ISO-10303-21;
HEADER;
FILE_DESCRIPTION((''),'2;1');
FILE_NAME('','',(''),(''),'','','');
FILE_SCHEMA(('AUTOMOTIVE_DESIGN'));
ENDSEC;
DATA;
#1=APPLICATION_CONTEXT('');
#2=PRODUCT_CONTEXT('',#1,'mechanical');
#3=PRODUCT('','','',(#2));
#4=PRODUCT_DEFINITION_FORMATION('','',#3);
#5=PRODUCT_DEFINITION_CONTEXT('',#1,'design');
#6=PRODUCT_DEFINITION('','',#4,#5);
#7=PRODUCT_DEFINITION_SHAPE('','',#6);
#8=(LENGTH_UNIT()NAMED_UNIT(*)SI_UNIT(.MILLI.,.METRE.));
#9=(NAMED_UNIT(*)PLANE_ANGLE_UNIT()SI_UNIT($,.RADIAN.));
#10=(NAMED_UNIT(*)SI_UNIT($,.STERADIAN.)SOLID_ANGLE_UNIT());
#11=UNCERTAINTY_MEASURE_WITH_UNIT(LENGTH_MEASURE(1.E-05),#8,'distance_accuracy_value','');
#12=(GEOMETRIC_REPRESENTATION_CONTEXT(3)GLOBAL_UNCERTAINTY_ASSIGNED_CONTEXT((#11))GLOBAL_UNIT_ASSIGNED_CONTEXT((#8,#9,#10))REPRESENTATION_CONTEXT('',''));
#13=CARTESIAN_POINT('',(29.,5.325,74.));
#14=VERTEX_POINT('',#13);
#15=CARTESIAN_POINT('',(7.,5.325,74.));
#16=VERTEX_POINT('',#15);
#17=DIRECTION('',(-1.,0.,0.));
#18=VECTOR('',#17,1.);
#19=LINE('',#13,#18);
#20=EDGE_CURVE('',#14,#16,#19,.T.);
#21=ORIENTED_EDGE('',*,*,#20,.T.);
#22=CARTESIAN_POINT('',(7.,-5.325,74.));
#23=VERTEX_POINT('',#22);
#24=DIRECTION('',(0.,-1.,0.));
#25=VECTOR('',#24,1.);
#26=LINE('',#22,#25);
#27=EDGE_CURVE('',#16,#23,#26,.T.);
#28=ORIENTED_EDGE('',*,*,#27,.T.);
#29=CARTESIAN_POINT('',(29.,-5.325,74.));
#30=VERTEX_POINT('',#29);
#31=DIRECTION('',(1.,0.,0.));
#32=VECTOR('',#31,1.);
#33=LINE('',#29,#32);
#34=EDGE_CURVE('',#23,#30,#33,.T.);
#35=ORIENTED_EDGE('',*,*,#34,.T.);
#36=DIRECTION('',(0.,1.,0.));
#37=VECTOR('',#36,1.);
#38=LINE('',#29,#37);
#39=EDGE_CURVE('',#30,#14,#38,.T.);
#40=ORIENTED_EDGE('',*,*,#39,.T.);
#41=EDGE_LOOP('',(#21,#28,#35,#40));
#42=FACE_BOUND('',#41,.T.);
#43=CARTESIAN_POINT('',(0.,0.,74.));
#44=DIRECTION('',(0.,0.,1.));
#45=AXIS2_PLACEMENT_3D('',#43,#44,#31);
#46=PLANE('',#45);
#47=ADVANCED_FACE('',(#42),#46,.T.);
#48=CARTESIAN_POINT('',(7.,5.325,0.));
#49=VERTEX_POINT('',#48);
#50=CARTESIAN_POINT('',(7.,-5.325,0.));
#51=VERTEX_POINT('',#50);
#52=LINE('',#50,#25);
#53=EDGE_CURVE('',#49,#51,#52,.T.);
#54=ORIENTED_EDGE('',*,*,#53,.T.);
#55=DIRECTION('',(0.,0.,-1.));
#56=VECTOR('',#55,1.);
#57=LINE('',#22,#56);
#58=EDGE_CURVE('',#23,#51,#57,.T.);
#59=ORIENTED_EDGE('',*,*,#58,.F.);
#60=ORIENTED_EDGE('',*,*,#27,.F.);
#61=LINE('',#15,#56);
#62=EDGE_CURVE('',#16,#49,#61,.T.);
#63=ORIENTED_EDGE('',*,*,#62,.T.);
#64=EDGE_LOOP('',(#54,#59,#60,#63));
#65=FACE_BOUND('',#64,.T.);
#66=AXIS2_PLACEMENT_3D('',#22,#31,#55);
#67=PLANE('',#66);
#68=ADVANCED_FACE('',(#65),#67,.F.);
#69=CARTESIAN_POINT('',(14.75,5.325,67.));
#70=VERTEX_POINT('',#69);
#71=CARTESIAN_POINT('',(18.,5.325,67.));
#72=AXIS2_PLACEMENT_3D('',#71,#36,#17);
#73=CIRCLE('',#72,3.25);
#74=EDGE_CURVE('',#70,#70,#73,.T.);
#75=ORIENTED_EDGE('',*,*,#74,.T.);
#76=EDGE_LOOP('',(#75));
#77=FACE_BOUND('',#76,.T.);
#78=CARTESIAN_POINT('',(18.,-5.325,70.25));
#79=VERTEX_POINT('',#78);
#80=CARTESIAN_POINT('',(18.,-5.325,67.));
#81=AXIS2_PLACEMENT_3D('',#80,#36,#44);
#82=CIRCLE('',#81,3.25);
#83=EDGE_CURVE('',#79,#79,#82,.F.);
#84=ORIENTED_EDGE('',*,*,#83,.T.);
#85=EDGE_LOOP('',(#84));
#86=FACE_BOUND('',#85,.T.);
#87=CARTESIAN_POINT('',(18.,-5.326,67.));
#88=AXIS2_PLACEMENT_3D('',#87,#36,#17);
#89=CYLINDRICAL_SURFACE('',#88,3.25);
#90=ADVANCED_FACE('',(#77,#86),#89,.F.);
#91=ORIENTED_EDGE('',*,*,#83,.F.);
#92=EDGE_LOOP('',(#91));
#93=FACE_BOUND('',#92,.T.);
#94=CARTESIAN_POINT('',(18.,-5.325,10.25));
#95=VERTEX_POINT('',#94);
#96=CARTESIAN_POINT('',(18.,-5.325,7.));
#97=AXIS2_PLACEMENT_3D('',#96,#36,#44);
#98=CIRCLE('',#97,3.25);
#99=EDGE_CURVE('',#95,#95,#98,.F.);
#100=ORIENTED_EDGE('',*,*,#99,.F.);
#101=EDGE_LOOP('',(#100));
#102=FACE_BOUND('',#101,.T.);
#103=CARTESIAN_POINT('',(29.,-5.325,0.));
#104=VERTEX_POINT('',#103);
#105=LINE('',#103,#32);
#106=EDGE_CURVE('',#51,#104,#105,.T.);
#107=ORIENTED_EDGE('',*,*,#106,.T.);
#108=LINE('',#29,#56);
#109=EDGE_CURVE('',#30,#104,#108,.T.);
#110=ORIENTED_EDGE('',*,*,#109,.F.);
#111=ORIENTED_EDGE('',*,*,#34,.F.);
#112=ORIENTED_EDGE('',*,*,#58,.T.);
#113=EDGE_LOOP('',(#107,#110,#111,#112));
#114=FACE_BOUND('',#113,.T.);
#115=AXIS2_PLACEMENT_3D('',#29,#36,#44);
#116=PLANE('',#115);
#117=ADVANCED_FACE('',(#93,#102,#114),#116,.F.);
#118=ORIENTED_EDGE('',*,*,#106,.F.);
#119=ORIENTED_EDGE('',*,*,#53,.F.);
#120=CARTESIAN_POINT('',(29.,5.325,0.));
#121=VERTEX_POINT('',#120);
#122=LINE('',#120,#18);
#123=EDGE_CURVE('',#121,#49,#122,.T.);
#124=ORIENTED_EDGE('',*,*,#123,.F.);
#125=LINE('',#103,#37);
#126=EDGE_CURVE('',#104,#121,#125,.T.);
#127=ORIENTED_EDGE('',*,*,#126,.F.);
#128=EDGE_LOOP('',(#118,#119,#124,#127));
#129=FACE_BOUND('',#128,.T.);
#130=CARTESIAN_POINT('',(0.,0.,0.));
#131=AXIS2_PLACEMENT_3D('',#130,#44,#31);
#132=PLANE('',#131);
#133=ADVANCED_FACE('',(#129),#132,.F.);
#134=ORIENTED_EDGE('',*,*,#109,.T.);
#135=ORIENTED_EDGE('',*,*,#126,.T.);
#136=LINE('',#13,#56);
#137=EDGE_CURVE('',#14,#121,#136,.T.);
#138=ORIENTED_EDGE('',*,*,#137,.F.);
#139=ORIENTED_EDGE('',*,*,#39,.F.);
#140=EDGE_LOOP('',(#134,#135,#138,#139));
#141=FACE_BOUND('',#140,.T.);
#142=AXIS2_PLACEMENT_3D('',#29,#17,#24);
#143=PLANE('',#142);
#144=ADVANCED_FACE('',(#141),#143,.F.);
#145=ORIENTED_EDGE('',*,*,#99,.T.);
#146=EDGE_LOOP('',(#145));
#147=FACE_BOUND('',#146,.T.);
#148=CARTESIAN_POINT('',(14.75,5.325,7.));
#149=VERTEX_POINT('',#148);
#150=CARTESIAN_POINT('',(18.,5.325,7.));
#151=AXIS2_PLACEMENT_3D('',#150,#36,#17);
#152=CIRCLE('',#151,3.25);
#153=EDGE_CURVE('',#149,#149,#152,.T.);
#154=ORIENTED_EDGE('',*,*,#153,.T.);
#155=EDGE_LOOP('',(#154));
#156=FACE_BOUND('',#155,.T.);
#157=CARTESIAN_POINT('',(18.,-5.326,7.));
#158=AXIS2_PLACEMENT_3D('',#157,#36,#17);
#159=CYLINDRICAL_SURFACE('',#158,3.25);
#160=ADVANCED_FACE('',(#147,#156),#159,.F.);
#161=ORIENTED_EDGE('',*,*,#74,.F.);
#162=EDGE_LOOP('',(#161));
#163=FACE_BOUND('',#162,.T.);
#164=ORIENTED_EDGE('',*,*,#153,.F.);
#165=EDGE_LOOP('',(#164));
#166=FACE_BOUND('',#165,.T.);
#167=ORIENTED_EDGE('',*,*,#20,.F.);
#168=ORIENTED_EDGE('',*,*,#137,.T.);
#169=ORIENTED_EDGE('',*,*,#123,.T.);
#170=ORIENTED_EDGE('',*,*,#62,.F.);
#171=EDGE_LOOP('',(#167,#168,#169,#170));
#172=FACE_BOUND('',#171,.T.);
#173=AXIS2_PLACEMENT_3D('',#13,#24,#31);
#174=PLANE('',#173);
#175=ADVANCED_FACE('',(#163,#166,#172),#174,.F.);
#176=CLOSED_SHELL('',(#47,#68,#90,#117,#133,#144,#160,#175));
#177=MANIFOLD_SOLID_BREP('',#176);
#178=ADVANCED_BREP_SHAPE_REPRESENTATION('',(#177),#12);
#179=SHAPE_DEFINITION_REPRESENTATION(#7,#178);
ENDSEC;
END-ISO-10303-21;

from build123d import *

# Parameters (mm, degrees)
CROQUIS1_W              = 22
CROQUIS1_H              = 10.65
SALIENTE_EXTRUIR1_DEPTH = 74
CORTAR_EXTRUIR1_REACH   = 12.65
CROQUIS2_R              = 3.25


with BuildPart() as part:
    # Croquis1 → Saliente-Extruir1 (new body)
    with BuildSketch(Plane.XY):
        with Locations((18, 0)):
            Rectangle(CROQUIS1_W, CROQUIS1_H)
    extrude(amount=SALIENTE_EXTRUIR1_DEPTH)

    # Croquis2 → Cortar-Extruir1 (cut, up to next)
    with BuildSketch(Plane(origin=(0, 5.325, 0), x_dir=(1, 0, 0), z_dir=(0, 1, 0)), mode=Mode.PRIVATE) as cortar_extruir1_sk1:
        with Locations((18, -7)):
            Circle(CROQUIS2_R)
    cortar_extruir1_tool1 = extrude(cortar_extruir1_sk1.sketch, amount=-CORTAR_EXTRUIR1_REACH, mode=Mode.PRIVATE) & part.part
    add(cortar_extruir1_tool1.solids().sort_by_distance((18, 5.325, 7))[0], mode=Mode.SUBTRACT)
    # Croquis2 → Cortar-Extruir1 (cut, up to next)
    with BuildSketch(Plane(origin=(0, 5.325, 0), x_dir=(1, 0, 0), z_dir=(0, 1, 0)), mode=Mode.PRIVATE) as cortar_extruir1_sk2:
        with Locations((18, -67)):
            Circle(CROQUIS2_R)
    cortar_extruir1_tool2 = extrude(cortar_extruir1_sk2.sketch, amount=-CORTAR_EXTRUIR1_REACH, mode=Mode.PRIVATE) & part.part
    add(cortar_extruir1_tool2.solids().sort_by_distance((18, 5.325, 67))[0], mode=Mode.SUBTRACT)


solid = part.part
